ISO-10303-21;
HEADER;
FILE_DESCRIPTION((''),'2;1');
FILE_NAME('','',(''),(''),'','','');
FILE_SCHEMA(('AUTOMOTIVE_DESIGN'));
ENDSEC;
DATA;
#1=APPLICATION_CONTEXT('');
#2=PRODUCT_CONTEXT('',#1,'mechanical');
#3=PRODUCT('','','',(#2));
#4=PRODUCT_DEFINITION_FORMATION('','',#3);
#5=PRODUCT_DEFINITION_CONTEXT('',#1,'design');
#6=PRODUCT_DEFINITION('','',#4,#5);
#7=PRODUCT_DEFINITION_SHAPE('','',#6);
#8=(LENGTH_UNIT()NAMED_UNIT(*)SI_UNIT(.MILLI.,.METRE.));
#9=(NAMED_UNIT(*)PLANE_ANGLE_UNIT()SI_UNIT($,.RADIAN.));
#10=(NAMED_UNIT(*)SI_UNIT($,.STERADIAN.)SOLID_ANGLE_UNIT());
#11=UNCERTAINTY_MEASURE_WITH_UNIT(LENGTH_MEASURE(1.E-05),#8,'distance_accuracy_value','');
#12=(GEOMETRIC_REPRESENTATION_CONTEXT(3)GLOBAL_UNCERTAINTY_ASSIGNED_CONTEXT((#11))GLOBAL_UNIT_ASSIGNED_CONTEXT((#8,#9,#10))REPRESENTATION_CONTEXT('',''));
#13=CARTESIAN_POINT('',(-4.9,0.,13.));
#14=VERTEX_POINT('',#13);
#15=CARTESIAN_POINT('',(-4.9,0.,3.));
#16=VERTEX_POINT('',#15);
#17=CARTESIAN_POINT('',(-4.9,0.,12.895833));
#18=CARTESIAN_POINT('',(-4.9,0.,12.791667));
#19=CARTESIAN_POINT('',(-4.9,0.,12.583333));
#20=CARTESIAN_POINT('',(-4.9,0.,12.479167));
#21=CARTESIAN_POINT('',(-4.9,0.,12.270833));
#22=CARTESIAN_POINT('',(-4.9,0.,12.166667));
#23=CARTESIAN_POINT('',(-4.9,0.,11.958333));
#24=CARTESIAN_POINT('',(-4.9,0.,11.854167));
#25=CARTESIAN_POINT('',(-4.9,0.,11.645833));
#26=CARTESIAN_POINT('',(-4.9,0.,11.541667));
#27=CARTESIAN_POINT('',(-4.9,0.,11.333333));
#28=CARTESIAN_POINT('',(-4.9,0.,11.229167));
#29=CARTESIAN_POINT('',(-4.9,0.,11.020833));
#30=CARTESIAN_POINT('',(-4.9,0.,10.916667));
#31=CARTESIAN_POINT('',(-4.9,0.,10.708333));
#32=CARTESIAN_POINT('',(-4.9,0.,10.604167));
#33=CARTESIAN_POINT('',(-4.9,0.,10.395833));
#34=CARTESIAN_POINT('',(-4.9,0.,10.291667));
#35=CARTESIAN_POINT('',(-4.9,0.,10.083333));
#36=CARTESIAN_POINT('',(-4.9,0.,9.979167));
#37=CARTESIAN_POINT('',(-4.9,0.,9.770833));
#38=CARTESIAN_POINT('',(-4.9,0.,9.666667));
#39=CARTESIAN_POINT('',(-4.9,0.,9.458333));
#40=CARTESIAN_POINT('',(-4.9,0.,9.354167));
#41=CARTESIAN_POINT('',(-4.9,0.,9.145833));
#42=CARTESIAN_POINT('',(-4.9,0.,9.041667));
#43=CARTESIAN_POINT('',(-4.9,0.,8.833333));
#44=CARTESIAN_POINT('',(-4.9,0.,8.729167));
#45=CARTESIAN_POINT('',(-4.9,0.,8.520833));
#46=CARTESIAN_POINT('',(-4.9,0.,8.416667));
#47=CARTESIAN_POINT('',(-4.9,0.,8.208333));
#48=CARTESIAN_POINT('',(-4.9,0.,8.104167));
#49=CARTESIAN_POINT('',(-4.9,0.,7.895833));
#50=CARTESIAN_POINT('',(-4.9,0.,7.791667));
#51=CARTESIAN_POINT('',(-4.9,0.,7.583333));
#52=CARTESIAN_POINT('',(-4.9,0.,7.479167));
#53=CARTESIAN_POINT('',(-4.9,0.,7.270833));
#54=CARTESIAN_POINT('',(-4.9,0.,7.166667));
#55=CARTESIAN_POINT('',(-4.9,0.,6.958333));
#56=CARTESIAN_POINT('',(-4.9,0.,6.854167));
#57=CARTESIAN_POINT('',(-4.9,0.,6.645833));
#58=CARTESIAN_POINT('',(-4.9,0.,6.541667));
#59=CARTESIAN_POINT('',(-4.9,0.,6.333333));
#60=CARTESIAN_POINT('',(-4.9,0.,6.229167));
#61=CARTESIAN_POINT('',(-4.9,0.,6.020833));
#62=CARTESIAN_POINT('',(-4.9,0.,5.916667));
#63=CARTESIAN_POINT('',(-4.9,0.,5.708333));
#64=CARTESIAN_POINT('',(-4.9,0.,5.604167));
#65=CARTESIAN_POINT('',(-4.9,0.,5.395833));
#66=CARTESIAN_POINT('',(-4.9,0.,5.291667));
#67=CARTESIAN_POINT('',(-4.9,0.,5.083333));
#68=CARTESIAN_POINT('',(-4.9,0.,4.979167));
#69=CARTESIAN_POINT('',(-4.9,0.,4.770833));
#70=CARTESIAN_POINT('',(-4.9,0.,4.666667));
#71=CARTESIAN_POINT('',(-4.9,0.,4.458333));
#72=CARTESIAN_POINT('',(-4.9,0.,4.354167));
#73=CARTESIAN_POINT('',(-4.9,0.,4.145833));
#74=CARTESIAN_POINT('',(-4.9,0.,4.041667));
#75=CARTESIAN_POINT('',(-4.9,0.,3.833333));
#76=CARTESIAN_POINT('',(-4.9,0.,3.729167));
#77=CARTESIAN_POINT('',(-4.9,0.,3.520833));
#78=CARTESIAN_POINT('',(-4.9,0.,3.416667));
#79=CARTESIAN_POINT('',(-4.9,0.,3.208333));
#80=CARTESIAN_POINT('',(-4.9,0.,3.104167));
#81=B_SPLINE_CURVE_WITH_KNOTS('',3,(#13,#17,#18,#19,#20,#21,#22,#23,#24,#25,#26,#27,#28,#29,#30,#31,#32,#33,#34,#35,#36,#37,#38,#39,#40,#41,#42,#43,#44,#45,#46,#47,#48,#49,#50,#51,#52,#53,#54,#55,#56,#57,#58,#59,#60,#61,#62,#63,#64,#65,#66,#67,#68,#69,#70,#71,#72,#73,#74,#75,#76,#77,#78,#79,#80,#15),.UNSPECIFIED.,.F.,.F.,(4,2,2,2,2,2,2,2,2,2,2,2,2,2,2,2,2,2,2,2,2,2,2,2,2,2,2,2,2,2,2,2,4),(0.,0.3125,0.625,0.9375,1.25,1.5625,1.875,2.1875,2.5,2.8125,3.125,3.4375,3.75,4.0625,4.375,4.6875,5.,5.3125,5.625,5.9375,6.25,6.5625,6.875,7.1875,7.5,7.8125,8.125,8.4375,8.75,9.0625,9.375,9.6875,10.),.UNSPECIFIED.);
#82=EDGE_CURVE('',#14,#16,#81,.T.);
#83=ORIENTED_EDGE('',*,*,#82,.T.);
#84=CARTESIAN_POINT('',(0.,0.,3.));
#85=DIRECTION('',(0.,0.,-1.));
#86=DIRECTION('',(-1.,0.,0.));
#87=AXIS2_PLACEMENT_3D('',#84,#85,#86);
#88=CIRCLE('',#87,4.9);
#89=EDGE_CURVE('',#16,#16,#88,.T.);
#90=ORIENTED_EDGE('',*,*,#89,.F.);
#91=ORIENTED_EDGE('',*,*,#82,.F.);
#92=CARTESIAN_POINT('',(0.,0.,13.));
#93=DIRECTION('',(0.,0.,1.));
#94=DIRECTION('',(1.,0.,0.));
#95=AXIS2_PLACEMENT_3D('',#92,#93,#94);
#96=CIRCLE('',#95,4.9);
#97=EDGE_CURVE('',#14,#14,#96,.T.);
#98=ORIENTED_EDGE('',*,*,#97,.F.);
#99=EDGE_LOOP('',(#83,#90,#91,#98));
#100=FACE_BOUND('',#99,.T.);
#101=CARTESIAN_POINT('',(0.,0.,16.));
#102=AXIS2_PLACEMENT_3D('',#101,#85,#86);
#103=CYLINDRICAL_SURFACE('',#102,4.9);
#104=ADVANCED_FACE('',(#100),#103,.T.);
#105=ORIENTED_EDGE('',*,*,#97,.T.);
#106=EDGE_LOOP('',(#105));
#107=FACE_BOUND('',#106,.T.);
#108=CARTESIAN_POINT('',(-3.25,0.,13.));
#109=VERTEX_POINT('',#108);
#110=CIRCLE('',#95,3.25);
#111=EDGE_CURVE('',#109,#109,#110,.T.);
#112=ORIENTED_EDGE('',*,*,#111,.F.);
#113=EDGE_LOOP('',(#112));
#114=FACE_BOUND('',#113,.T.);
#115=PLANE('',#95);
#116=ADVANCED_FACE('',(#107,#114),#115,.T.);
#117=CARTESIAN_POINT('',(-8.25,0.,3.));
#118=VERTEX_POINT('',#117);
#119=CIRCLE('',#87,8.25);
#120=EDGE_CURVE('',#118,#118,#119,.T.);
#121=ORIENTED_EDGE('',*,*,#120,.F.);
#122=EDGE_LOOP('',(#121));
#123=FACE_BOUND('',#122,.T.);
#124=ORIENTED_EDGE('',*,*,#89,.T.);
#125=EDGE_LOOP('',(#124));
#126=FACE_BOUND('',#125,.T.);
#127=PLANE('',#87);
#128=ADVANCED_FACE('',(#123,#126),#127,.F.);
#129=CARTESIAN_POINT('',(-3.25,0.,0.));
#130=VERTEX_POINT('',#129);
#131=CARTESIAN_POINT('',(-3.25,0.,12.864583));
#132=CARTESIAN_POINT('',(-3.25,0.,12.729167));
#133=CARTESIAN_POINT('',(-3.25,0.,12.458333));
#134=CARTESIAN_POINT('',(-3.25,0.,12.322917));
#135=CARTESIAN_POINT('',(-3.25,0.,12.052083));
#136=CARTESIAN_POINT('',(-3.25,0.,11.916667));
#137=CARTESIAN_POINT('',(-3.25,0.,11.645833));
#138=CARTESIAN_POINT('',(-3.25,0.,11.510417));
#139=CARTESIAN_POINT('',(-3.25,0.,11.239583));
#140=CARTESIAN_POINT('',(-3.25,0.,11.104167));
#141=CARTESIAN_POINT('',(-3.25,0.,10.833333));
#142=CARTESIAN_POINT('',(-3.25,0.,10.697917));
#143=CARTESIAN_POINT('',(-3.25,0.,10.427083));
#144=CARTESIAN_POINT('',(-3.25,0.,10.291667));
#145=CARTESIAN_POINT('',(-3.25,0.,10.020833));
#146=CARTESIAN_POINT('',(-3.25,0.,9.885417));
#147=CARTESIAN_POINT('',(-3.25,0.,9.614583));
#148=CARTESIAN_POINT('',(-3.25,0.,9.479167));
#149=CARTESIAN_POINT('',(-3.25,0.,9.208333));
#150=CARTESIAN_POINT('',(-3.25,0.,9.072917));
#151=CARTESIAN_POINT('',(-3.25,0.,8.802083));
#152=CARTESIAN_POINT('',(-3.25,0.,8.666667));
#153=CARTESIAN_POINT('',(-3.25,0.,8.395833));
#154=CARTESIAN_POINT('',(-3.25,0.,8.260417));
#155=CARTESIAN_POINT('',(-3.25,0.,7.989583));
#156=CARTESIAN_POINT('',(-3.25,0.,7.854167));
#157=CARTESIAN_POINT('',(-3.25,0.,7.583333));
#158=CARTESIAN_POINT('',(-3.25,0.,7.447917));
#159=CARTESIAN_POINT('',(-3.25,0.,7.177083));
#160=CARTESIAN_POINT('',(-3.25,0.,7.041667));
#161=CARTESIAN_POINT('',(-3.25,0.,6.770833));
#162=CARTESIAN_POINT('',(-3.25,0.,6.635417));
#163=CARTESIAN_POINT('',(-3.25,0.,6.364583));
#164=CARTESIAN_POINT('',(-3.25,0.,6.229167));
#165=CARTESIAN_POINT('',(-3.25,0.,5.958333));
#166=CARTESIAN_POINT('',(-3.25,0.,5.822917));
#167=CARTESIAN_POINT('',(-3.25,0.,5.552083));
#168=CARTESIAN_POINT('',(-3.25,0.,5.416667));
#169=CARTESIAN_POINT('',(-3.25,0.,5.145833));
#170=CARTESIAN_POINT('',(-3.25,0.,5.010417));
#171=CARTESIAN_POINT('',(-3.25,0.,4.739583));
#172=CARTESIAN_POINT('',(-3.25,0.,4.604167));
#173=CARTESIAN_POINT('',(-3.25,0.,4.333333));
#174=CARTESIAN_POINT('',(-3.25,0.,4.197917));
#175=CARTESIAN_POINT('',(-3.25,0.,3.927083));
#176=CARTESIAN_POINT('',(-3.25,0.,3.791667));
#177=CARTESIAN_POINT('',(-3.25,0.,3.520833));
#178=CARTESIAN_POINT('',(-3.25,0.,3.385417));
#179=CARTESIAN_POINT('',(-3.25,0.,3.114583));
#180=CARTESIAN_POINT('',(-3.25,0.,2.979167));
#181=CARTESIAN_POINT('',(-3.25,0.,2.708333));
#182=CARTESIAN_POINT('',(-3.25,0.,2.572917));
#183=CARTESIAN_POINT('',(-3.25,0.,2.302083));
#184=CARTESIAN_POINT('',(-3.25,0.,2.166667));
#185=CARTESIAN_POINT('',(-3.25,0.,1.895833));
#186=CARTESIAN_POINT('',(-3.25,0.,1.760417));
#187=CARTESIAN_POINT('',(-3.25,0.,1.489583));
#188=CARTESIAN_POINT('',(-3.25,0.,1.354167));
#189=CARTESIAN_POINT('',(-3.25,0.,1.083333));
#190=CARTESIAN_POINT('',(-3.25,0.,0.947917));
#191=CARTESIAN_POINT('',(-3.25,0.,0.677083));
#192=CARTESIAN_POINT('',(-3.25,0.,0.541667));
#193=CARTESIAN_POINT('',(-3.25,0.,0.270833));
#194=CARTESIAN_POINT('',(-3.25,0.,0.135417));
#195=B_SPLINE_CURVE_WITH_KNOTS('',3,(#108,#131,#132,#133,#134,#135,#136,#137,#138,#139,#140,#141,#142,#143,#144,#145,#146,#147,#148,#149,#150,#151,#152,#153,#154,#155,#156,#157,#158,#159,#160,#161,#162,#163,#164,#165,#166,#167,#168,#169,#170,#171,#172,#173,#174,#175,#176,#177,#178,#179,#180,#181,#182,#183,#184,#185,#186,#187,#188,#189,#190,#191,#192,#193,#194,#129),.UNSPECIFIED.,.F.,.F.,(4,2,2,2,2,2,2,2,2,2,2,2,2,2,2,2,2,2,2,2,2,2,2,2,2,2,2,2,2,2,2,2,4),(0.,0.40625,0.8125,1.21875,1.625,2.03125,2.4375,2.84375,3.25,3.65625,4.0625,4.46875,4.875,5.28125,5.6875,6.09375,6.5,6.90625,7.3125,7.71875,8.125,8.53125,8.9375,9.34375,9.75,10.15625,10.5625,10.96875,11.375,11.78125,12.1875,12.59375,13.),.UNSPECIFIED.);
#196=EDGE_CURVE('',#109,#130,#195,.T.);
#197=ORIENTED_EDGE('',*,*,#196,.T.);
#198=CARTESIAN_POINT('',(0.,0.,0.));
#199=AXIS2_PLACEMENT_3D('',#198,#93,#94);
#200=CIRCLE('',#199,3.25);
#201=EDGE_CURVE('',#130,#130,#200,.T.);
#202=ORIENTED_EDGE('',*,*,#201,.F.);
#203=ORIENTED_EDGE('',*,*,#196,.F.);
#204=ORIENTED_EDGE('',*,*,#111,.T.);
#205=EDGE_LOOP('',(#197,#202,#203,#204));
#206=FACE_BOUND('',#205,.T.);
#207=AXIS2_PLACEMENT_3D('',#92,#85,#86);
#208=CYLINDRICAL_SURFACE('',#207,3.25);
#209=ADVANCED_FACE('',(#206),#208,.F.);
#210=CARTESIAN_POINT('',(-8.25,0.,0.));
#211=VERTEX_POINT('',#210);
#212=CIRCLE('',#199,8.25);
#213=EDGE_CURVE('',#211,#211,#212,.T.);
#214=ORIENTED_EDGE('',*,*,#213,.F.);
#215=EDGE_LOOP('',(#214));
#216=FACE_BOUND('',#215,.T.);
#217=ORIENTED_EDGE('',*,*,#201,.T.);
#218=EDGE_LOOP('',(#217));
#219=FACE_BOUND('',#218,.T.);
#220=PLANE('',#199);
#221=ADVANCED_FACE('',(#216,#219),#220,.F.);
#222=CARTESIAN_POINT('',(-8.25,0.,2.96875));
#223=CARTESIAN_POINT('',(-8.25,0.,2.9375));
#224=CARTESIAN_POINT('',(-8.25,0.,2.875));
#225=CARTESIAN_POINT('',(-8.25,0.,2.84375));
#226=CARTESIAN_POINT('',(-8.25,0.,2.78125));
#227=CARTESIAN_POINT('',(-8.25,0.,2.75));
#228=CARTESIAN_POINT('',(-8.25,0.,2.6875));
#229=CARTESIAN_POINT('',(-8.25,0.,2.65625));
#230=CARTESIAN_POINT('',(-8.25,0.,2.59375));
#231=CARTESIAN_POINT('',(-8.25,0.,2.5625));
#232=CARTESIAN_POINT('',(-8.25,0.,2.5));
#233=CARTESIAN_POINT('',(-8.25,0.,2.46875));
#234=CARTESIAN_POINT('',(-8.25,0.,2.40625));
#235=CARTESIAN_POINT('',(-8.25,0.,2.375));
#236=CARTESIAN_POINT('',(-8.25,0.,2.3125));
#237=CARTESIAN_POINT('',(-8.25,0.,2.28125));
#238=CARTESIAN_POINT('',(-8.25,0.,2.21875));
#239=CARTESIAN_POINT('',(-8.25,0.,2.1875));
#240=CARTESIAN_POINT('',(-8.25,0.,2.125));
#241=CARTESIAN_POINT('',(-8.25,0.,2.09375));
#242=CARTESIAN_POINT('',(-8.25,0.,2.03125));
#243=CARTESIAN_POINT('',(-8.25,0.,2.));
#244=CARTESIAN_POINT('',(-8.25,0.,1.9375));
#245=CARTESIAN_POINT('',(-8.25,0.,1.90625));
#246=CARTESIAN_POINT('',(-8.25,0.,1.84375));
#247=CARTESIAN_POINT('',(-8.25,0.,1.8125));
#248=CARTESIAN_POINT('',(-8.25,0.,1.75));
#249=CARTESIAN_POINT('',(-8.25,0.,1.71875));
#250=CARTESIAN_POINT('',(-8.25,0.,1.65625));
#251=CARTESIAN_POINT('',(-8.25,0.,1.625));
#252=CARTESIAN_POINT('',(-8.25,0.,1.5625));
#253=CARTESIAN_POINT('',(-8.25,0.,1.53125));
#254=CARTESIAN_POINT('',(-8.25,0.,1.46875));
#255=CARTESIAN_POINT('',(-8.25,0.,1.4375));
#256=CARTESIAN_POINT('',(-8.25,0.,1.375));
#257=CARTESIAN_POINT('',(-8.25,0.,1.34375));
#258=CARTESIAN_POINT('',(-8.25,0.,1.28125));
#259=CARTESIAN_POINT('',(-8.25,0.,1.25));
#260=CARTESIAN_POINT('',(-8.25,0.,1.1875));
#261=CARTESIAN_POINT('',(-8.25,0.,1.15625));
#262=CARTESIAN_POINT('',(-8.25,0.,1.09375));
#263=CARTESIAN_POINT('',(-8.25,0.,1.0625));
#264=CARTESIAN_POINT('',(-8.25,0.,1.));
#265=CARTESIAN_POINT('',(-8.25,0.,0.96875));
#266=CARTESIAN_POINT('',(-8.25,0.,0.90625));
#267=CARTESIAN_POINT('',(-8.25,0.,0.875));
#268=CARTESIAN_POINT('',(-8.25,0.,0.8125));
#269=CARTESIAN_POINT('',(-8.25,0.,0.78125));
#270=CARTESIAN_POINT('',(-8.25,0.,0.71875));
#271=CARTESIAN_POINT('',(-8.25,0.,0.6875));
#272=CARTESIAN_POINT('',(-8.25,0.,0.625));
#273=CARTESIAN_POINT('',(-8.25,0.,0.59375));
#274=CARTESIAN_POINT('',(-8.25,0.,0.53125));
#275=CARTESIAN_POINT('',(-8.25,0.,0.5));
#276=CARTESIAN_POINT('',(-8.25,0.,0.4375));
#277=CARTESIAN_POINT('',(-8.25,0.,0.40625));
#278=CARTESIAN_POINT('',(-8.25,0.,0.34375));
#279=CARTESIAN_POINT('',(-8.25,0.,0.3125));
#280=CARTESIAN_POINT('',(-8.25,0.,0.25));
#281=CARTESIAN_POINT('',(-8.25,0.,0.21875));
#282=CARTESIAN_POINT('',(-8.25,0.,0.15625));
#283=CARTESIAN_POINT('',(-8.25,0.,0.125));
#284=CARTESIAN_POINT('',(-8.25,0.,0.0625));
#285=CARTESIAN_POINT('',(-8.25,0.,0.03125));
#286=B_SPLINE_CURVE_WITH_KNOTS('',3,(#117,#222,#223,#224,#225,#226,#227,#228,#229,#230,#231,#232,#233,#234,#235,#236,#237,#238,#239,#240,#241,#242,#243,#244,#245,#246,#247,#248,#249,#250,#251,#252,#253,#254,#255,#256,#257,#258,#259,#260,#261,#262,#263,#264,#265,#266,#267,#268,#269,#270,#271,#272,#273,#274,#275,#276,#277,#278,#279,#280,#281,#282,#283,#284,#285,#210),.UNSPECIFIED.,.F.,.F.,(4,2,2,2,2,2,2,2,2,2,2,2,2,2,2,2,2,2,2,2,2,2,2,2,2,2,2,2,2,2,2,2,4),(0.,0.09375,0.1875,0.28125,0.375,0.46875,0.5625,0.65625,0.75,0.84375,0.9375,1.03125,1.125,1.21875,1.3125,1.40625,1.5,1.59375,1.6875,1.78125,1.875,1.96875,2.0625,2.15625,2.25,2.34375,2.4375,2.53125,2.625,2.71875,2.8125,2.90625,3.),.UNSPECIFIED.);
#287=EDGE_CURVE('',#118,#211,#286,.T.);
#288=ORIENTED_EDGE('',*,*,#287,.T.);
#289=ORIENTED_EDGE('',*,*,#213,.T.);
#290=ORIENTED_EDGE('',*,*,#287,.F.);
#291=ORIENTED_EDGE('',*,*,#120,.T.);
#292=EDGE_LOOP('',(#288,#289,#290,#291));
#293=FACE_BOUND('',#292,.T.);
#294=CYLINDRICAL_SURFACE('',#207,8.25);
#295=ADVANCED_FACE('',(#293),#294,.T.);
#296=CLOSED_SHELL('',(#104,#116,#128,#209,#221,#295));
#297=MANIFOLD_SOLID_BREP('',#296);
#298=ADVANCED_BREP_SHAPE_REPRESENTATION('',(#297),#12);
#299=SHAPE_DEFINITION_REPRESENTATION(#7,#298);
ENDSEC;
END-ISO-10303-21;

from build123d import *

# Parameters (mm, degrees)
SKETCH1_R               = 8.25
SKETCH1_R_2             = 3.25
BOSS_EXTRUDE1_DEPTH     = 13
CUT_EXTRUDE_THIN1_START = -3
SKETCH2_R               = 14.9
SKETCH2_R_2             = 4.9
CUT_EXTRUDE_THIN1_DEPTH = 13


with BuildPart() as part:
    # Sketch1 → Boss-Extrude1 (new body)
    with BuildSketch(Plane.XY):
        with Locations(Location((0, 0, 0), (0, 0, 180))):
            Circle(SKETCH1_R)
        with Locations(Location((0, 0, 0), (0, 0, 180))):
            Circle(SKETCH1_R_2, mode=Mode.SUBTRACT)
    extrude(amount=BOSS_EXTRUDE1_DEPTH)

    # Sketch2 → Cut-Extrude-Thin1 (cut)
    with BuildSketch(Plane(origin=(0, 0, 0), x_dir=(-1, 0, 0), z_dir=(0, 0, -1)).offset(CUT_EXTRUDE_THIN1_START)):
        Circle(SKETCH2_R)
        Circle(SKETCH2_R_2, mode=Mode.SUBTRACT)
    extrude(amount=-CUT_EXTRUDE_THIN1_DEPTH, mode=Mode.SUBTRACT)


solid = part.part
